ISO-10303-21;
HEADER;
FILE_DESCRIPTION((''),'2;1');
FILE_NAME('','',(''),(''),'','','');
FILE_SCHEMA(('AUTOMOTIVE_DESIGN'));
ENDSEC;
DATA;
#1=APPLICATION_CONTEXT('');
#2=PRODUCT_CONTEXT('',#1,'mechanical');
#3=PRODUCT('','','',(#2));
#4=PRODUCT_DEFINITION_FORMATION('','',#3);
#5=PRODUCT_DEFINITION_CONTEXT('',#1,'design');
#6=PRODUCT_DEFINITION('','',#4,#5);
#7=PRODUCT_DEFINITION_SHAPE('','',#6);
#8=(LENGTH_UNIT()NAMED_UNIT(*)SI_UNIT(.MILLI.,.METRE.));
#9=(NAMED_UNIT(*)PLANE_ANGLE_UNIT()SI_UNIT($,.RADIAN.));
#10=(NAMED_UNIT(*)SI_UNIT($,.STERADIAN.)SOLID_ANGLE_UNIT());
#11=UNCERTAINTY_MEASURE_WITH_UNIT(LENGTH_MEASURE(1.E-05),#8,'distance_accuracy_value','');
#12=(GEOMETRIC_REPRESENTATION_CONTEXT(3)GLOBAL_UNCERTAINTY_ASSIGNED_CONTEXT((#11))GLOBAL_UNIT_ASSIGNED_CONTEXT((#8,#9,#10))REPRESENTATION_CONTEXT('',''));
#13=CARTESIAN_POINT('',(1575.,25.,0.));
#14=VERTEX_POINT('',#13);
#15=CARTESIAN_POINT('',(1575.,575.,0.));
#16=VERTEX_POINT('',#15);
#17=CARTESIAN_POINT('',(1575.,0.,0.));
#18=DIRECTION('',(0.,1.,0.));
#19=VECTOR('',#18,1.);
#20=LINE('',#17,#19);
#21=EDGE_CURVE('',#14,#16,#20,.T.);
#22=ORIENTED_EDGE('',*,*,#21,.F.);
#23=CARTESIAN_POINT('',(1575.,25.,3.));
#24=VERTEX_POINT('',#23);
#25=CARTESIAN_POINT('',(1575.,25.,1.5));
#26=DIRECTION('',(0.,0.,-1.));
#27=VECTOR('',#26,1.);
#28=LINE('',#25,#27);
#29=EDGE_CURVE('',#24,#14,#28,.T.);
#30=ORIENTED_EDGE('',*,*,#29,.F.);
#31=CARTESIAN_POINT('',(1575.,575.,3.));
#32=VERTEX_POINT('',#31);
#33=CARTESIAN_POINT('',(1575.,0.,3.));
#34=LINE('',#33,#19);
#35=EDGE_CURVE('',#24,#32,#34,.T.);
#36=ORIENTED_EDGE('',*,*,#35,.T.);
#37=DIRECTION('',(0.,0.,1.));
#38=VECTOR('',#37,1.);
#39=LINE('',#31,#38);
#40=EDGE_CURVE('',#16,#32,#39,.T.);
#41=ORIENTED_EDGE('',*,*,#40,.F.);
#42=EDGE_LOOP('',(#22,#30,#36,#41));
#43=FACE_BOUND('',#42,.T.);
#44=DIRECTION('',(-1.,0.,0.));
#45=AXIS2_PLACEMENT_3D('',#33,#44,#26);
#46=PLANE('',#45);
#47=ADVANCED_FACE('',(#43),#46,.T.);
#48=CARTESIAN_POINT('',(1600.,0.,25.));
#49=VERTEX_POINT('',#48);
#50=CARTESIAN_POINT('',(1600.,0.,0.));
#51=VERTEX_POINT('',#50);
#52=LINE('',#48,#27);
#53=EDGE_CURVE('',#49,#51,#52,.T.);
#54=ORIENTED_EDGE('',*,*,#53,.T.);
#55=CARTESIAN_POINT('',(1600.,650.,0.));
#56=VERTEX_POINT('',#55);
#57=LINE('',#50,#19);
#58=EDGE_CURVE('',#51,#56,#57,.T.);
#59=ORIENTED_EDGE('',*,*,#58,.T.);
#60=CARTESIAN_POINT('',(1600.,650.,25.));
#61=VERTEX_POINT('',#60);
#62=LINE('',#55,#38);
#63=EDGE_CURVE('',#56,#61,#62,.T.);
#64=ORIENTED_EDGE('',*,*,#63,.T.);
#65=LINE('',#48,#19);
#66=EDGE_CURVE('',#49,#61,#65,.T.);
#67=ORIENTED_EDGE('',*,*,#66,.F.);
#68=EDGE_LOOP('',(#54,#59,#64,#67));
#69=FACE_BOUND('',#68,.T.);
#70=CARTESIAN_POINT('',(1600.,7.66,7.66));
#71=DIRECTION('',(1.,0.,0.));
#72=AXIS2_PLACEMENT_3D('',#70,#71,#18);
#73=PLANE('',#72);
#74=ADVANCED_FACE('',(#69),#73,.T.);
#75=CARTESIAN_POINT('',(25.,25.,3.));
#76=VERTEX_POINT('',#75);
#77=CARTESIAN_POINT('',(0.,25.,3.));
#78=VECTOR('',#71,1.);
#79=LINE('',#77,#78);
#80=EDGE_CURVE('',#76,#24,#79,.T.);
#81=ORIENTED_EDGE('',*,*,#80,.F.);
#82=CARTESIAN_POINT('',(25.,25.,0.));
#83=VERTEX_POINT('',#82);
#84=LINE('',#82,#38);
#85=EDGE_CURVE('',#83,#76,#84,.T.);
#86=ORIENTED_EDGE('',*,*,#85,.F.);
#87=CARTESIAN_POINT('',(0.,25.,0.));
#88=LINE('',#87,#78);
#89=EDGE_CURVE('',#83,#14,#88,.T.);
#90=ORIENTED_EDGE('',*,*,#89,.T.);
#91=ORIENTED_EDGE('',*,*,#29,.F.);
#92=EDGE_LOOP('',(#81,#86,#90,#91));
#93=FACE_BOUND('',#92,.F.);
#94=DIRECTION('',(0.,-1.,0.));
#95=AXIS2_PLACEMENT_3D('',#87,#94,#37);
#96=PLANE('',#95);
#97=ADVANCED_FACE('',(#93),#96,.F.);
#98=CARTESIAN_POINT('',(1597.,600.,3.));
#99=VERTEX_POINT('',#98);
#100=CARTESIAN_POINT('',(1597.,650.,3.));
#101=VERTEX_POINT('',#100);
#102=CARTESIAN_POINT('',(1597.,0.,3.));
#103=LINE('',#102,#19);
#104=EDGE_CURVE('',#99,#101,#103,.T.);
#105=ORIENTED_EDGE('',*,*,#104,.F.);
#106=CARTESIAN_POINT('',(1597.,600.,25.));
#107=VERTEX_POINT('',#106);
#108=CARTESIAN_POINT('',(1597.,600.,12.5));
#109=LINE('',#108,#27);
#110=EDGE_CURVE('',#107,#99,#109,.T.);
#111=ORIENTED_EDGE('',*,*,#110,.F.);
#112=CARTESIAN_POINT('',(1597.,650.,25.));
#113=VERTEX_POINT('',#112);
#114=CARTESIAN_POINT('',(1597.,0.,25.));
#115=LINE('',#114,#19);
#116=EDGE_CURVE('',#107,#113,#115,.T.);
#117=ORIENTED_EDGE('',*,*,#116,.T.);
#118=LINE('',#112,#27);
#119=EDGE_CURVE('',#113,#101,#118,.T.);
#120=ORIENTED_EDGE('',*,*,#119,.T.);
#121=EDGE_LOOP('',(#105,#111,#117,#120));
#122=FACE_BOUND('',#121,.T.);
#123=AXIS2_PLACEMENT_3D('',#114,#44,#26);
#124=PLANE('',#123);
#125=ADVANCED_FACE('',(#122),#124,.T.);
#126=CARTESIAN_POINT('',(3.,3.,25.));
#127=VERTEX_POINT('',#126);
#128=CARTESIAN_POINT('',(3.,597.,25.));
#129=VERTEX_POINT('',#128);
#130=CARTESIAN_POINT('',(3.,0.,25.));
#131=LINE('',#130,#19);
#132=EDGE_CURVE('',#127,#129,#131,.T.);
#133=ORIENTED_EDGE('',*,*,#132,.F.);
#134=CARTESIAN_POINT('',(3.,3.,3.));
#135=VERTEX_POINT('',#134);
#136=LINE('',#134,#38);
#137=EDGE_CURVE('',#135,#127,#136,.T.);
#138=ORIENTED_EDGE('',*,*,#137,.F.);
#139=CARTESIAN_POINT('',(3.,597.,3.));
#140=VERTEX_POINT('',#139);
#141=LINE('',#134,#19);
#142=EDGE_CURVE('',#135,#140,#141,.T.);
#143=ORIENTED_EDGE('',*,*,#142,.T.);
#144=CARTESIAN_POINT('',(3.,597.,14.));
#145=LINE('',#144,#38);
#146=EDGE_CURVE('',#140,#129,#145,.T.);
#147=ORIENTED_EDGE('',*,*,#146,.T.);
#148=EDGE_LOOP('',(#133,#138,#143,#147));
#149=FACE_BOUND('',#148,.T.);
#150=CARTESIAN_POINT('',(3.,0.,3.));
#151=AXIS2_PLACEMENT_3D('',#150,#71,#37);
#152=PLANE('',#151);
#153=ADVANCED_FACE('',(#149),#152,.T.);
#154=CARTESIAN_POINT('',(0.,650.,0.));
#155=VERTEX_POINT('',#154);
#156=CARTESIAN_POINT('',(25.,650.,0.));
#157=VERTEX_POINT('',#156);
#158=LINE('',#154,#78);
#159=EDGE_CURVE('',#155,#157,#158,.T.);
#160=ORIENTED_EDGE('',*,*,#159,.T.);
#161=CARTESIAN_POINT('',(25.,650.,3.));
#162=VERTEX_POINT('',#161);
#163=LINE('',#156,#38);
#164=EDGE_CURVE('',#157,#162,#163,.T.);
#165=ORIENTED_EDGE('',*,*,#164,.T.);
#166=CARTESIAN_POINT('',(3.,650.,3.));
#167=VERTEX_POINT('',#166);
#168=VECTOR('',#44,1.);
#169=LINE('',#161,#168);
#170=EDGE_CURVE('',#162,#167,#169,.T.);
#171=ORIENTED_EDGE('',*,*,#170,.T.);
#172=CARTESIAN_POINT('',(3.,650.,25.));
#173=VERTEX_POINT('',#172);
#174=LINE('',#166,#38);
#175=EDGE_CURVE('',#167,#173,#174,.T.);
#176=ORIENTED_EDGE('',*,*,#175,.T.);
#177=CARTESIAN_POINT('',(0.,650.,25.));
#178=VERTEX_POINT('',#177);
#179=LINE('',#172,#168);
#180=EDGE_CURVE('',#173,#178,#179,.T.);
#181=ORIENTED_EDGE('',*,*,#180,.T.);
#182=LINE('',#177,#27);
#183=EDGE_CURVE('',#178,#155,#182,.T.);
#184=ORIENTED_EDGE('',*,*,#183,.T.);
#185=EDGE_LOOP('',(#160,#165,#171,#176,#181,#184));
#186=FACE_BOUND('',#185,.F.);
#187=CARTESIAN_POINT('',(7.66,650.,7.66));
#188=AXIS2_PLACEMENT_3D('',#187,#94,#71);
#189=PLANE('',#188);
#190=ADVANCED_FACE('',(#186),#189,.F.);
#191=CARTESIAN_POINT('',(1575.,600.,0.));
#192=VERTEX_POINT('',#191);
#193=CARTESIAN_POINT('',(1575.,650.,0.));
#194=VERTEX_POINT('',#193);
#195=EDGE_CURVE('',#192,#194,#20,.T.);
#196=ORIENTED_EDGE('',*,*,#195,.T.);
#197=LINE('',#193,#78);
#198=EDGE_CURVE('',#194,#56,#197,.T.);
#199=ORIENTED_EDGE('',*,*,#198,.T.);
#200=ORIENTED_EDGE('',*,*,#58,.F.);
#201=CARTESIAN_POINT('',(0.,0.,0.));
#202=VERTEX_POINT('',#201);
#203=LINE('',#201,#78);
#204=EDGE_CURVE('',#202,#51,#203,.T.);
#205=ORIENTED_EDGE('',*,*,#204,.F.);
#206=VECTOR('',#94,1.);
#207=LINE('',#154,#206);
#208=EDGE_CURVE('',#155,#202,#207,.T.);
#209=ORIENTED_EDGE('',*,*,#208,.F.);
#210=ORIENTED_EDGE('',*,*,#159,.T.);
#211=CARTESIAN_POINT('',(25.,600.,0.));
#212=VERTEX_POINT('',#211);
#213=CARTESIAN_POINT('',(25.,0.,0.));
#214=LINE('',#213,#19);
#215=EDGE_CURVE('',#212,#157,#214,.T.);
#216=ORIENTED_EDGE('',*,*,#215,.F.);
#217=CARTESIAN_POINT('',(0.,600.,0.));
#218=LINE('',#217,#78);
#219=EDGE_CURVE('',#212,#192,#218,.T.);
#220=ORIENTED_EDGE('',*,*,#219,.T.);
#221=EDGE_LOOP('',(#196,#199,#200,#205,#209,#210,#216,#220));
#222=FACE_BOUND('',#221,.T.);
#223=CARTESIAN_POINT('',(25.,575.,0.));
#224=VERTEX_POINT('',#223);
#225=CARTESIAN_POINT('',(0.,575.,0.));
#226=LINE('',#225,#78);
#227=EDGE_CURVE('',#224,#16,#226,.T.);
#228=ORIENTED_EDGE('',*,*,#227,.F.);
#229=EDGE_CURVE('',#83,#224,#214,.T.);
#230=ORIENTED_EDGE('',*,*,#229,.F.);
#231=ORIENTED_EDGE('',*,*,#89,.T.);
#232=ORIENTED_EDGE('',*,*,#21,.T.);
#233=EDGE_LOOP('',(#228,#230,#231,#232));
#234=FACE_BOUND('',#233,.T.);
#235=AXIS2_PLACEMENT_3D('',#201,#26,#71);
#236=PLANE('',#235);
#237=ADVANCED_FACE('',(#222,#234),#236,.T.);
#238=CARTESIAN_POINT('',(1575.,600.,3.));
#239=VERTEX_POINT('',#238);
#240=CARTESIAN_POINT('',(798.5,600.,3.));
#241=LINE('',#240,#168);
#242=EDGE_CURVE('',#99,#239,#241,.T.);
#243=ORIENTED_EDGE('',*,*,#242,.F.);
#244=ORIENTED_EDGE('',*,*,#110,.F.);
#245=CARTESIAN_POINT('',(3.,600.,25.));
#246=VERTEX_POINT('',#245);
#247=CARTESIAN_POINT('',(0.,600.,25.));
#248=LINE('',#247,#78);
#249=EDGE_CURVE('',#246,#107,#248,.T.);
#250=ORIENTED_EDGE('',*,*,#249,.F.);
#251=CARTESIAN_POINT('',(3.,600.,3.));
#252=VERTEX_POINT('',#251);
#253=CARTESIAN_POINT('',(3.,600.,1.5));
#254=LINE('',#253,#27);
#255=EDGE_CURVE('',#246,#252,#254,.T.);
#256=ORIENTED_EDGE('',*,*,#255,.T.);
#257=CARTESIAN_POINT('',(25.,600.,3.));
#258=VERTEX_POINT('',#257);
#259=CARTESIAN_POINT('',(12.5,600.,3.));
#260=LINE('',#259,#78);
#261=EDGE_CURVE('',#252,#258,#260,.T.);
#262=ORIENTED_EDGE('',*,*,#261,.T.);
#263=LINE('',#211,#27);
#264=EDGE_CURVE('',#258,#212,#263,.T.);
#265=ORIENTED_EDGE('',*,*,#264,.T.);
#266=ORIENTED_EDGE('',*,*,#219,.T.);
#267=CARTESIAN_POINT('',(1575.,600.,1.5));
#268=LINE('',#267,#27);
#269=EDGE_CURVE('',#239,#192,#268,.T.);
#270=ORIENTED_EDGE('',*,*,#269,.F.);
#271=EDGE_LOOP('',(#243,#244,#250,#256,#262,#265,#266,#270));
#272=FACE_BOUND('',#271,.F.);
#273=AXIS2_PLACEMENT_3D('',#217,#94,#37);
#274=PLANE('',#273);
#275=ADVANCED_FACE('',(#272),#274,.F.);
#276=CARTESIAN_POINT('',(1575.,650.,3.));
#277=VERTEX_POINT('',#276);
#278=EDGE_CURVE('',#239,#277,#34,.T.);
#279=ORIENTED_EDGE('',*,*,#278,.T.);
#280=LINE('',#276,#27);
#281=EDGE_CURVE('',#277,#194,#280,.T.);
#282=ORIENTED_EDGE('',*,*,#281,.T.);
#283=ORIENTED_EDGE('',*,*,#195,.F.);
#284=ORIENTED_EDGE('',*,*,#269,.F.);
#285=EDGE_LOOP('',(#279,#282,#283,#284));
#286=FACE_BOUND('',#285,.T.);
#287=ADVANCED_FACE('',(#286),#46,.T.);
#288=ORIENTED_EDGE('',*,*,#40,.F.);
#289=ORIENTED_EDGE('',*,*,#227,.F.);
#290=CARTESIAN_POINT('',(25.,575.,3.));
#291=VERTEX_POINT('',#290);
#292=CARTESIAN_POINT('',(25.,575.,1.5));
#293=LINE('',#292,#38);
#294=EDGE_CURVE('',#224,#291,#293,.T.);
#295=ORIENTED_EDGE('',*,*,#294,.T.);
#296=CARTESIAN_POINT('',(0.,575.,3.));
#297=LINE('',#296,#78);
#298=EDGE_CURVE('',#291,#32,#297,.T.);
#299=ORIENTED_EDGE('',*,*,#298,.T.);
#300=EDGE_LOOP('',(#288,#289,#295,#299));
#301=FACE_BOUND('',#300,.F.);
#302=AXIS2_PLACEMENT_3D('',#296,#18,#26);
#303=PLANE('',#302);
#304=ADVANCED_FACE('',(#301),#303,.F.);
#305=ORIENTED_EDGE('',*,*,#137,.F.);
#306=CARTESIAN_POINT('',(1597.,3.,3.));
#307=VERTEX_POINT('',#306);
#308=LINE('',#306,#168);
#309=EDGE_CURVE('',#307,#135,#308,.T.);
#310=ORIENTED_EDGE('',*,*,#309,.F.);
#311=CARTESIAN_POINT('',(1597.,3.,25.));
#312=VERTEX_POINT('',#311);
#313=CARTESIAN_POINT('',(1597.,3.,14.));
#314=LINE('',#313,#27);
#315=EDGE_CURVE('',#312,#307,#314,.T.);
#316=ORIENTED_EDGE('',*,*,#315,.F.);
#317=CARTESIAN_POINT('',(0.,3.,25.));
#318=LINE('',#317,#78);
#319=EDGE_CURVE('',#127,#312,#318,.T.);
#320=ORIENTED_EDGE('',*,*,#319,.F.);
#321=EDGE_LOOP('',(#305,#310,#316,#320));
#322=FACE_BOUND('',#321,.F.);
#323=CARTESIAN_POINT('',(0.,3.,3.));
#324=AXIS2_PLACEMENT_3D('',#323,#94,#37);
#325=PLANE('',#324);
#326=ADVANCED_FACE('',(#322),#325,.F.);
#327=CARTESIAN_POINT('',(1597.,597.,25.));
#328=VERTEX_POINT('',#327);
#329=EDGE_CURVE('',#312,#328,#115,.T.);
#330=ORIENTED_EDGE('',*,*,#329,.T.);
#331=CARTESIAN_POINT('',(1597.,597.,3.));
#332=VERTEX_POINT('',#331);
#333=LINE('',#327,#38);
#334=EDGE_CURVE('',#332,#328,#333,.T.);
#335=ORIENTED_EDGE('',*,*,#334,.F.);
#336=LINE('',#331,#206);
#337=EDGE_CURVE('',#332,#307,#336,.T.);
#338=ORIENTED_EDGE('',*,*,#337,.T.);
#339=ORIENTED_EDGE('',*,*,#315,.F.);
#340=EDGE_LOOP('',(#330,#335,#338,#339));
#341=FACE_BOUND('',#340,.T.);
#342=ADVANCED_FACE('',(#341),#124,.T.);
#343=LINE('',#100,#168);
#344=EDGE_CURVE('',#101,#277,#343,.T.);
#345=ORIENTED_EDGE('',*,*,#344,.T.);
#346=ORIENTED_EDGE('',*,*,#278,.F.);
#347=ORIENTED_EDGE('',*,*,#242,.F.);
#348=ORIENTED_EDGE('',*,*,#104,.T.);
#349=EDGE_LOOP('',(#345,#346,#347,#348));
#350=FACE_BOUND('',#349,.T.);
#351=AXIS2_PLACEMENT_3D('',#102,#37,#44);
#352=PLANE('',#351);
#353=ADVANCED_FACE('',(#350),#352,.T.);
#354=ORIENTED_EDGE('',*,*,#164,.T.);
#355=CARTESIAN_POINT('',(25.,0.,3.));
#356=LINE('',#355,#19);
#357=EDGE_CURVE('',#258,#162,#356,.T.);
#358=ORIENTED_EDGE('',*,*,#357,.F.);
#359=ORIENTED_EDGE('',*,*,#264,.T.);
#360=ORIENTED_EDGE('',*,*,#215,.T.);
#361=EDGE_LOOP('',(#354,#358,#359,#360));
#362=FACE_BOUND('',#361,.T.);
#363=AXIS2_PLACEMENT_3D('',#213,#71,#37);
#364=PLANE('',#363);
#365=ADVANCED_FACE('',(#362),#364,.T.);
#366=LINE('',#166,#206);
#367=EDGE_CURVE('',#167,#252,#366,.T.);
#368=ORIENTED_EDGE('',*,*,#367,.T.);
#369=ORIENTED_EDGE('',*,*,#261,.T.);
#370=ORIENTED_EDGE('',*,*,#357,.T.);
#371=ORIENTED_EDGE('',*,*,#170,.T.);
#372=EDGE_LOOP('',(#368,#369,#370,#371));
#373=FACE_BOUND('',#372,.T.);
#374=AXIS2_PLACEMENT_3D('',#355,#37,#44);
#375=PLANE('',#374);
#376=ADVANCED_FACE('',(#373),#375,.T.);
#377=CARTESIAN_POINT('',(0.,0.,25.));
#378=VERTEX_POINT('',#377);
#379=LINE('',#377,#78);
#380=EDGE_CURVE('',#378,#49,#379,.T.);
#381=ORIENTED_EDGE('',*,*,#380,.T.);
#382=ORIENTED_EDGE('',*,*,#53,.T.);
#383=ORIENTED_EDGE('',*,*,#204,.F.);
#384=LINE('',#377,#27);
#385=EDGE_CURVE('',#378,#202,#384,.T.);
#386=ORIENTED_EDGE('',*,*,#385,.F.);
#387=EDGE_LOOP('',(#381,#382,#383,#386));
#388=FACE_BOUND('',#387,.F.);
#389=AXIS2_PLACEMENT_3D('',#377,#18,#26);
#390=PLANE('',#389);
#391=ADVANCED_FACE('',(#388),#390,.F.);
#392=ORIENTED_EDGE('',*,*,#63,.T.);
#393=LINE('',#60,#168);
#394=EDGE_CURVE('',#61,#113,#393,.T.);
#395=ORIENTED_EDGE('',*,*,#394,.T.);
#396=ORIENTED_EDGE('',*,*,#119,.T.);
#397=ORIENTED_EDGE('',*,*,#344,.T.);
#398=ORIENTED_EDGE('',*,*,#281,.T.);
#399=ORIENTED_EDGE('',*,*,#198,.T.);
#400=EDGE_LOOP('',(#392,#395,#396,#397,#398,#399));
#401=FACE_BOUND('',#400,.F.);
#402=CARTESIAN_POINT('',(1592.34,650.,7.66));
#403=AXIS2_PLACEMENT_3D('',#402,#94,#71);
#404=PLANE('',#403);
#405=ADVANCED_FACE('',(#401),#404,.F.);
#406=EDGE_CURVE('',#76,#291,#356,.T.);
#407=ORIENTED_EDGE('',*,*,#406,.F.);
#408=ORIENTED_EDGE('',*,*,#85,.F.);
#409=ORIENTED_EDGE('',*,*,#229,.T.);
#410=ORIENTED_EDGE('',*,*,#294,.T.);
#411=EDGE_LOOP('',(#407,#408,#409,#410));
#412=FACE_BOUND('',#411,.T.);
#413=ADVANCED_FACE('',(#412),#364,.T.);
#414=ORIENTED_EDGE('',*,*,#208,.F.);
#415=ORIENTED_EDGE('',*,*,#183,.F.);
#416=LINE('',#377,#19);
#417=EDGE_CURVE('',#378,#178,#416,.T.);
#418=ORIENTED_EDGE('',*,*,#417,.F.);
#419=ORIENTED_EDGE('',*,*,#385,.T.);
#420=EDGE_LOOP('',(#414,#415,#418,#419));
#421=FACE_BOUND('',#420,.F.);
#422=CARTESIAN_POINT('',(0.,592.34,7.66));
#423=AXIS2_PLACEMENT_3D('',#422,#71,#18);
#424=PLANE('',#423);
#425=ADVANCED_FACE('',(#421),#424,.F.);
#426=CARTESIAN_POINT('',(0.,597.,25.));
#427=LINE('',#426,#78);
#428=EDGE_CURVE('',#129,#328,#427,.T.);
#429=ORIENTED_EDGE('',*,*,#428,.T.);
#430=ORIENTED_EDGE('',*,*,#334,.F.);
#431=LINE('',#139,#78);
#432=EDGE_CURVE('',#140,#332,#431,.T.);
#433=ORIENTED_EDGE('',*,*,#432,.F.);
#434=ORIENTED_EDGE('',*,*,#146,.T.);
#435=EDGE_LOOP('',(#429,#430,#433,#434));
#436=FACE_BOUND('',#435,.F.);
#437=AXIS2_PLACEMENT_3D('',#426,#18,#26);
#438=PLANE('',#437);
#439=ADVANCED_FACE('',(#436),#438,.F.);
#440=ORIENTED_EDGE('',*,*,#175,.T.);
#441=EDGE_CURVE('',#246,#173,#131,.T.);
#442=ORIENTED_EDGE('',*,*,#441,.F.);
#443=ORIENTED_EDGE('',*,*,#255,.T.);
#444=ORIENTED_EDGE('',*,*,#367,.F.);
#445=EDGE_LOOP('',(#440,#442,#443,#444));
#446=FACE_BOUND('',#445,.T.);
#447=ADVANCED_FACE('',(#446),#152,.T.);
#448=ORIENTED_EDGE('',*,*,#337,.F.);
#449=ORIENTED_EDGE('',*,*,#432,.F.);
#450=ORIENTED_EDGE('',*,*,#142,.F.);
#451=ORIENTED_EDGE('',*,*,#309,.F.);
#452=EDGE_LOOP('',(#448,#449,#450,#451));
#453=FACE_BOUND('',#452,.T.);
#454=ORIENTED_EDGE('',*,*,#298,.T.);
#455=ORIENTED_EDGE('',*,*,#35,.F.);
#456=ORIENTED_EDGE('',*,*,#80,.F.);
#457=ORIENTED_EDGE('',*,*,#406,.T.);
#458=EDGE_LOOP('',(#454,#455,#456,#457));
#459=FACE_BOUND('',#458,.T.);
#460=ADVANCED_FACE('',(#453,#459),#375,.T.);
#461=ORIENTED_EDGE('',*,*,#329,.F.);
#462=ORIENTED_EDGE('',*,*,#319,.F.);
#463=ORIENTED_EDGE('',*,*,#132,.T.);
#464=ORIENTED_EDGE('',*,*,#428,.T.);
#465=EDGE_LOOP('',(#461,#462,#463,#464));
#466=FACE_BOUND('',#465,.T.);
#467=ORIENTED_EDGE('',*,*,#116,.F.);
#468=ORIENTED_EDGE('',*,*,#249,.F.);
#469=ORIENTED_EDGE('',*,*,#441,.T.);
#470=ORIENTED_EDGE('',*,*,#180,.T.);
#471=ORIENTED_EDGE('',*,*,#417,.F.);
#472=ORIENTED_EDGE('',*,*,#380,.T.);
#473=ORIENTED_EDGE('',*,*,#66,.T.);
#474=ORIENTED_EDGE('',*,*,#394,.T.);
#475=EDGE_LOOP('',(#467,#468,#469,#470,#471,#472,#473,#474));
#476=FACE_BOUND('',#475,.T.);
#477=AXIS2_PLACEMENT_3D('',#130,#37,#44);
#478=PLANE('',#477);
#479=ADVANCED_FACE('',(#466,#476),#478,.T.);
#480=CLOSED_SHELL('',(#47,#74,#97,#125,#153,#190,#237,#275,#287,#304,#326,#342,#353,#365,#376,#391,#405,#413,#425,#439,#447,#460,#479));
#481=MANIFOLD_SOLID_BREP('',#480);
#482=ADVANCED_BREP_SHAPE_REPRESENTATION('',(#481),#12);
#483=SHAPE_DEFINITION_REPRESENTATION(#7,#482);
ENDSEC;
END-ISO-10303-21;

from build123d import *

# Parameters (mm, degrees)
F1_DEPTH = 1600
F3_DEPTH = 650
F5_DEPTH = 1600
F7_DEPTH = 650


with BuildPart() as f1:
    # F0 (on Right) → F1 (new body)
    with BuildSketch(Plane.YZ):
        Polygon((0, 25), (0, 0), (25, 0), (25, 3), (3, 3), (3, 25), align=None)
    extrude(amount=F1_DEPTH)

    # F2 (on Front) → F3 (join)
    with BuildSketch(Plane.XZ):
        Polygon((0, 25), (0, 0), (25, 0), (25, 3), (3, 3), (3, 25), align=None)
    extrude(amount=-F3_DEPTH)

    # F4 (on Right) → F5 (join)
    with BuildSketch(Plane.YZ):
        Polygon((600, 0), (600, 25), (597, 25), (597, 3), (575, 3), (575, 0), align=None)
    extrude(amount=F5_DEPTH)

    # F6 (on Front) → F7 (join)
    with BuildSketch(Plane.XZ):
        Polygon((1600, 0), (1600, 25), (1597, 25), (1597, 3), (1575, 3), (1575, 0), align=None)
    extrude(amount=-F7_DEPTH)


solid = f1.part
